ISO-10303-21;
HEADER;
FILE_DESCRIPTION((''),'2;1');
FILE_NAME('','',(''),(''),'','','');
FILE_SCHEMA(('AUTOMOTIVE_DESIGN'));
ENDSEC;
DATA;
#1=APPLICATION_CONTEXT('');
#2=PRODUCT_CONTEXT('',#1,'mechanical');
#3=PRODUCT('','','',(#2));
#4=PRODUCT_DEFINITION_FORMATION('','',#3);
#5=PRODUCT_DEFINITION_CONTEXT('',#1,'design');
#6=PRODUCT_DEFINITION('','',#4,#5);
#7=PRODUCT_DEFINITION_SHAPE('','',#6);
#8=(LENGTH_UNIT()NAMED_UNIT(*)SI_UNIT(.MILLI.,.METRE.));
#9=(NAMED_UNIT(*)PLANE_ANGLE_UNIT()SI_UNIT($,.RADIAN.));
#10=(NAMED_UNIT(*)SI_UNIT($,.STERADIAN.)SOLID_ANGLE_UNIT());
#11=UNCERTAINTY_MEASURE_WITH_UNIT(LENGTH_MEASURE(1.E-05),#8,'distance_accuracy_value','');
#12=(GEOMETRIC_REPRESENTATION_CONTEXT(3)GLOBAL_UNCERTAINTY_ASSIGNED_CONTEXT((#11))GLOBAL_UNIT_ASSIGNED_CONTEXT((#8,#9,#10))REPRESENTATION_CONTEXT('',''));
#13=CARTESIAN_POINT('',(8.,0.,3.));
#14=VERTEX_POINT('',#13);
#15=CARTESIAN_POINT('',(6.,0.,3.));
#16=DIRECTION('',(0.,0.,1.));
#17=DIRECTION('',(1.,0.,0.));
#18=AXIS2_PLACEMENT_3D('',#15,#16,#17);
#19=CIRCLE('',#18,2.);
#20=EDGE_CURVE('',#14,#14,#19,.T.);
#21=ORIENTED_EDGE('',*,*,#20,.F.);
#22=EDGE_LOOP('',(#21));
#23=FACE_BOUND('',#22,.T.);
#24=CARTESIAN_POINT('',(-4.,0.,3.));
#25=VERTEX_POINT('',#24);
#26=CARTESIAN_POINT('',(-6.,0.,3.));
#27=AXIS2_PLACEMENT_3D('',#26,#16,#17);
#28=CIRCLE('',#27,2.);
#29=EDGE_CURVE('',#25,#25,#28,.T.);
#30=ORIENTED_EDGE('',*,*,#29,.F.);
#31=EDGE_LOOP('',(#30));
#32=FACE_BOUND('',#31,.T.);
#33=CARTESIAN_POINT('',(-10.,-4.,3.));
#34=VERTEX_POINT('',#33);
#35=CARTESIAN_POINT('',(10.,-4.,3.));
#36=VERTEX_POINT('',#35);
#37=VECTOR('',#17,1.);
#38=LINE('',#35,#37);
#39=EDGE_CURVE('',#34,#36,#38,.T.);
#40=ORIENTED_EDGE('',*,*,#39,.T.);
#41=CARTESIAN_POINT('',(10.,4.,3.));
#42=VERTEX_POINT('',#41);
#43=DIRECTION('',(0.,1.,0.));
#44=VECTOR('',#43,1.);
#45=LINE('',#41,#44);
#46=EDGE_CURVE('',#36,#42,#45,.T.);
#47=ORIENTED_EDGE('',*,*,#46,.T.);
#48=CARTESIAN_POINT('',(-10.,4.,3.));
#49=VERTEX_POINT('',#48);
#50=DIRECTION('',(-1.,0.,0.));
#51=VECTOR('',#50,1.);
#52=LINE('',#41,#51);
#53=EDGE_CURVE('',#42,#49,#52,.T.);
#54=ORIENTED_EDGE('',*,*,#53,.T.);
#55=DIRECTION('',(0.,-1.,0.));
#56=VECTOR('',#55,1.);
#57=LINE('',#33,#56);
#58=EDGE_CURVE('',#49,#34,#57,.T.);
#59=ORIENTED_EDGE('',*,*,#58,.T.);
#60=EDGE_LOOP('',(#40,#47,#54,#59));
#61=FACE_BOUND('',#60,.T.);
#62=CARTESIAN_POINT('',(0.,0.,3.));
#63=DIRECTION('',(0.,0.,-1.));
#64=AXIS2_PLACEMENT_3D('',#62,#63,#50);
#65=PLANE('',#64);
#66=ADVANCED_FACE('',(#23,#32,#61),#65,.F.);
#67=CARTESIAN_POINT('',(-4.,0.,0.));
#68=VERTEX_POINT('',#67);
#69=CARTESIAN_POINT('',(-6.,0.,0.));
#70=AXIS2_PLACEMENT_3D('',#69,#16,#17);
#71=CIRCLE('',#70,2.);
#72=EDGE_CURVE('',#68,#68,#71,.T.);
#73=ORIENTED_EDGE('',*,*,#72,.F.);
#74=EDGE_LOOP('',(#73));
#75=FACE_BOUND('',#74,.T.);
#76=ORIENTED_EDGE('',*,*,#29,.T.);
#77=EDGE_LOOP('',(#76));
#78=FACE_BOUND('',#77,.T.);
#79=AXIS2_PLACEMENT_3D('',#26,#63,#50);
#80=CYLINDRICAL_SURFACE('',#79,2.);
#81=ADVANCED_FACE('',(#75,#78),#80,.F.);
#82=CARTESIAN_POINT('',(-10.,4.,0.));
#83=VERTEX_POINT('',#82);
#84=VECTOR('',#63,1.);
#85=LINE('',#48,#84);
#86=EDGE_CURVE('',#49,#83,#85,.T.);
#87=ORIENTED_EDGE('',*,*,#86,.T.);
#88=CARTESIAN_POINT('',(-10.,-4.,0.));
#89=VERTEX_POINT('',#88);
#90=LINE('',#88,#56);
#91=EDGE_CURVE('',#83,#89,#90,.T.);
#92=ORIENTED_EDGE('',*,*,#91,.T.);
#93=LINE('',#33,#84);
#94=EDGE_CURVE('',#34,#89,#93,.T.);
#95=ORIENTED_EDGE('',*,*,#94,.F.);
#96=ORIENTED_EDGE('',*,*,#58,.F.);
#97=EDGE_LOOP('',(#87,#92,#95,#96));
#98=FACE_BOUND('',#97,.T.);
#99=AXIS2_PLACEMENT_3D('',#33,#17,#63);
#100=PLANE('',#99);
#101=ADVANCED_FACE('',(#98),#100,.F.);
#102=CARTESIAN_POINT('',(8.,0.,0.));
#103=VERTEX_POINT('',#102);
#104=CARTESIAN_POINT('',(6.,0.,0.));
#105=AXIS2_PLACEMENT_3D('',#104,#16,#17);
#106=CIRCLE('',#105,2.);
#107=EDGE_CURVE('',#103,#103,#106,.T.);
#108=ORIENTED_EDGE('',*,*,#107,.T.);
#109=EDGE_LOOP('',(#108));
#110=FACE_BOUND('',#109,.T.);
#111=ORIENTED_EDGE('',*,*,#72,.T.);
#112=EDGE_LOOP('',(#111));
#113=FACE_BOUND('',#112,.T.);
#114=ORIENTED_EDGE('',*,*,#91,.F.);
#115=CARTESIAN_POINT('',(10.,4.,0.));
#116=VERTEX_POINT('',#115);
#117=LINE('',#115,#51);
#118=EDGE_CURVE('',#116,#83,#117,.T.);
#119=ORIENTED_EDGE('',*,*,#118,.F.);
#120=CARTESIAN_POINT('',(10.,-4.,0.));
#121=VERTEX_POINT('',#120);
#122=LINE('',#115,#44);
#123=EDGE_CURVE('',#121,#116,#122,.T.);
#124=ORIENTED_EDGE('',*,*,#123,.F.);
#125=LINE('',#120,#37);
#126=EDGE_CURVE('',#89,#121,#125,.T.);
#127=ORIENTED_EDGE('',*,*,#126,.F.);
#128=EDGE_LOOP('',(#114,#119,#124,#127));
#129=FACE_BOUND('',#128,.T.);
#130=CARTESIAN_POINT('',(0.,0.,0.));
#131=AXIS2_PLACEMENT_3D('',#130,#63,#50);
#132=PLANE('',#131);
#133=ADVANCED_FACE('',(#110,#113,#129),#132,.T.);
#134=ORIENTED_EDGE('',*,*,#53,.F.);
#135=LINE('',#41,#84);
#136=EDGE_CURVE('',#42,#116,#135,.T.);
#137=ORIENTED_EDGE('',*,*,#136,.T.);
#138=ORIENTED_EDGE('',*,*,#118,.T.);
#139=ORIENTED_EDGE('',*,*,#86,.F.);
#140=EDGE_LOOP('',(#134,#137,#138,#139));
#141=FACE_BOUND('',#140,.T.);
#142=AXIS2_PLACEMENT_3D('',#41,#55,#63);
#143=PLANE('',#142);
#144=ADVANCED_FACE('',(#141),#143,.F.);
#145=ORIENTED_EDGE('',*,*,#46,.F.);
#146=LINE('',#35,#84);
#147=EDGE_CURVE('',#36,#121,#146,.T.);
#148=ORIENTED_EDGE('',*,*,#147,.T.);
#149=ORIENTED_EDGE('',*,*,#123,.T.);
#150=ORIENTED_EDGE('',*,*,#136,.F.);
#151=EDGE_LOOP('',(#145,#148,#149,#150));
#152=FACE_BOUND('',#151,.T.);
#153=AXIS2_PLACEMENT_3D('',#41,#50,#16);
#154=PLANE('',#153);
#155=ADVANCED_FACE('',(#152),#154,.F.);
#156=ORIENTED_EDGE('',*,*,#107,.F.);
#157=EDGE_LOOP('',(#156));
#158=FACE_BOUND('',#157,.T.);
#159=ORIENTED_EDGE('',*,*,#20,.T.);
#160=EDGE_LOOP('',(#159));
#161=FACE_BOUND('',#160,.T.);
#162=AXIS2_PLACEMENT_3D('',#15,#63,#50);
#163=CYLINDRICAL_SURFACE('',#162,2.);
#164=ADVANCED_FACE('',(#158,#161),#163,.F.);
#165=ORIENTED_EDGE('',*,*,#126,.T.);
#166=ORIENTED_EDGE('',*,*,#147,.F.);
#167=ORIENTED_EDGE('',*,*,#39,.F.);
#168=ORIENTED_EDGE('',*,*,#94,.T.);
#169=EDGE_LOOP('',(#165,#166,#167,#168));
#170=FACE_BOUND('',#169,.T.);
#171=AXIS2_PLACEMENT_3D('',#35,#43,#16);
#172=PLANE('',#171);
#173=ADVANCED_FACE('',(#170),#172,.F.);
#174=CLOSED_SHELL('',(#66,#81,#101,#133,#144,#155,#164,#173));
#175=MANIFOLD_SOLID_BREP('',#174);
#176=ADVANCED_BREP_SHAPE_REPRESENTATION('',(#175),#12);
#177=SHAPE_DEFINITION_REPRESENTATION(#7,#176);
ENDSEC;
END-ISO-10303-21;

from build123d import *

# Parameters (mm, degrees)
CROQUIS1_W              = 20
CROQUIS1_H              = 8
CROQUIS1_R              = 2
SALIENTE_EXTRUIR1_DEPTH = 3


with BuildPart() as part:
    # Croquis1 → Saliente-Extruir1 (new body)
    with BuildSketch(Plane.XY):
        Rectangle(CROQUIS1_W, CROQUIS1_H)
        with Locations((6, 0)):
            Circle(CROQUIS1_R, mode=Mode.SUBTRACT)
        with Locations((-6, 0)):
            Circle(CROQUIS1_R, mode=Mode.SUBTRACT)
    extrude(amount=SALIENTE_EXTRUIR1_DEPTH)


solid = part.part
